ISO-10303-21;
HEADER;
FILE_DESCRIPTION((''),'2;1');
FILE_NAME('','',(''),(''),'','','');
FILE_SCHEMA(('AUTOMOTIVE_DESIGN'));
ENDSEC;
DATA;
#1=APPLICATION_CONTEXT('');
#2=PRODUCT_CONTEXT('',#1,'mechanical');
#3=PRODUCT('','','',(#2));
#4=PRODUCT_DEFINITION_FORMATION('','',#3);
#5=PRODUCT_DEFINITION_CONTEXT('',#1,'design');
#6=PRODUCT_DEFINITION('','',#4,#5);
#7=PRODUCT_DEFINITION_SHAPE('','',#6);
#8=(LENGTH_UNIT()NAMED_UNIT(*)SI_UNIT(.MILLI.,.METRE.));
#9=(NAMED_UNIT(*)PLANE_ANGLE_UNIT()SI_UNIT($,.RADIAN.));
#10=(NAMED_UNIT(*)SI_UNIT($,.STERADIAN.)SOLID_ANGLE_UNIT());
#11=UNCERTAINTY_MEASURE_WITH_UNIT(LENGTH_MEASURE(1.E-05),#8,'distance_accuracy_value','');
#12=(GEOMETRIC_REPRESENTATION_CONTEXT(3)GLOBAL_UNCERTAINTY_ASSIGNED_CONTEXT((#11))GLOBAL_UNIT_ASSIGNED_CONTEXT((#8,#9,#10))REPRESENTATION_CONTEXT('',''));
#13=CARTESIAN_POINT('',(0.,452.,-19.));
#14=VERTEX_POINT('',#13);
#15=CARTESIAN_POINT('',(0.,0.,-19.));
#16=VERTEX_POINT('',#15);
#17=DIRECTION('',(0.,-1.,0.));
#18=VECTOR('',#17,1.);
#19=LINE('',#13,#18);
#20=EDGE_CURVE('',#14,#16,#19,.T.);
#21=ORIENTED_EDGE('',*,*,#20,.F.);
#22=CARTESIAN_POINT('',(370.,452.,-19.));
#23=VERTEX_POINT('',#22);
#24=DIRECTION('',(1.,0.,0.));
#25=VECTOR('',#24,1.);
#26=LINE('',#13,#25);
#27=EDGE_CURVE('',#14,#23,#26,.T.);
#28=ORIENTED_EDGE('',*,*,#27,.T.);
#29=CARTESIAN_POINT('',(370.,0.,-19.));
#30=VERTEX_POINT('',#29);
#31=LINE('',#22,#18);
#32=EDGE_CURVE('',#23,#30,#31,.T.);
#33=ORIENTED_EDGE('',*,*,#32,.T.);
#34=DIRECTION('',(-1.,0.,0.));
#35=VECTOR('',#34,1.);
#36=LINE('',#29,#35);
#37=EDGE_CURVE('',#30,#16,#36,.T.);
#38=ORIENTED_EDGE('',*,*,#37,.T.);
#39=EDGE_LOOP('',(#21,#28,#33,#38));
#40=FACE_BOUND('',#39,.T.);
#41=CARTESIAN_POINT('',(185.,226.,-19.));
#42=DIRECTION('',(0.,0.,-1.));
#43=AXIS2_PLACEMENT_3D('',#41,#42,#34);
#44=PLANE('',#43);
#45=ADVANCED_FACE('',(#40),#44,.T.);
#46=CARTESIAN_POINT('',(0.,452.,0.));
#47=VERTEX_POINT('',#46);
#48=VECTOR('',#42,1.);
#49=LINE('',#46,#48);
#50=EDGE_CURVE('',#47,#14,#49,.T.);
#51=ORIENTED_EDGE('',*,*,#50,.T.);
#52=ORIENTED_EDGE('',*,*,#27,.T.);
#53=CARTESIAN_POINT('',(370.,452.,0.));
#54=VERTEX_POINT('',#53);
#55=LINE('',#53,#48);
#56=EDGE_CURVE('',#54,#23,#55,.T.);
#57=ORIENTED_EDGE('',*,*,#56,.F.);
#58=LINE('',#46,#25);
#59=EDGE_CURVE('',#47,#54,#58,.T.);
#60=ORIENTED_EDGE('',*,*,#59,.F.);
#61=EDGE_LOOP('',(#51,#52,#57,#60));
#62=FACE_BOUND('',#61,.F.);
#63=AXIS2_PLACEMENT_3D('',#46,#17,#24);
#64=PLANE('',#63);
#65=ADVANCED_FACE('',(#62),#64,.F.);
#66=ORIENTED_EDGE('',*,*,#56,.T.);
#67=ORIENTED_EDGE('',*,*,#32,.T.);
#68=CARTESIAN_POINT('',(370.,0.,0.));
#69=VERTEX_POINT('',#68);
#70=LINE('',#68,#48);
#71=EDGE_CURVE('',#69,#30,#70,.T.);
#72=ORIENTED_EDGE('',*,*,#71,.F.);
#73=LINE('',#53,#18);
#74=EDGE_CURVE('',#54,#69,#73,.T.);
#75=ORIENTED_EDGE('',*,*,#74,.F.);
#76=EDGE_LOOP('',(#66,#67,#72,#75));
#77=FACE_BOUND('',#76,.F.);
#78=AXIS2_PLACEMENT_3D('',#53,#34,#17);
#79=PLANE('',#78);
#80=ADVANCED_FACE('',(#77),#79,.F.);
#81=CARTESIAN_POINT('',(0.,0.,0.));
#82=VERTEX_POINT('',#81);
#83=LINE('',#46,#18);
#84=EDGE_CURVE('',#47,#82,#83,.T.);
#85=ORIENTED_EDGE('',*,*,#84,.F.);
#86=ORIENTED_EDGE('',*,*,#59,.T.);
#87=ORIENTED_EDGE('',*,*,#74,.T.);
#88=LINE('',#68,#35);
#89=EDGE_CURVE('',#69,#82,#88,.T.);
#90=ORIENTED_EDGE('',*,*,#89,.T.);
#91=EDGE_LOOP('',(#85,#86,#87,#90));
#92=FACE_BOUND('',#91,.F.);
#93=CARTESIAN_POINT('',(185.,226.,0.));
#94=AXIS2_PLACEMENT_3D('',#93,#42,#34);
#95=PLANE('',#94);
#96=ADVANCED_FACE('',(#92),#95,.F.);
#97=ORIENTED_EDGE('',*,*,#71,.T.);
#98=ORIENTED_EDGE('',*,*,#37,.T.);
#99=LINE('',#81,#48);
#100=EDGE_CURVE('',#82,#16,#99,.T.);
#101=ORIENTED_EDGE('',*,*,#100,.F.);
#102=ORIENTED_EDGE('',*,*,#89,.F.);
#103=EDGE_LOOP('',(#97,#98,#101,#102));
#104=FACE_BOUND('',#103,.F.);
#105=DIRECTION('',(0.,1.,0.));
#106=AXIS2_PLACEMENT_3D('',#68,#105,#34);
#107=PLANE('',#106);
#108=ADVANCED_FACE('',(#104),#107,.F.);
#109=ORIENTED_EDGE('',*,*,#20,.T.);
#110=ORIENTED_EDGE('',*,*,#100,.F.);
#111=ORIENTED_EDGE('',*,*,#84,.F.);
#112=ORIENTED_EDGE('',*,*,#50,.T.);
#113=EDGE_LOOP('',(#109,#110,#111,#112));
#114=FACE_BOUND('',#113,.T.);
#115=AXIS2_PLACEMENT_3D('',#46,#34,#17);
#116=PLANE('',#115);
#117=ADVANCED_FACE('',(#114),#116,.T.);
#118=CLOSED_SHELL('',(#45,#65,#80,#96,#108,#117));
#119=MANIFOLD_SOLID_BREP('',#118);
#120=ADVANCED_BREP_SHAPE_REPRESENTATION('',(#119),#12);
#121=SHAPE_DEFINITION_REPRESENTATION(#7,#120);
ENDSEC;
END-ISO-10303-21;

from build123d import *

# Parameters (mm, degrees)
PAD_DEPTH = 19


with BuildPart() as part:
    # Sketch → Pad (new body)
    with BuildSketch(Plane.XY):
        Polygon((0, 413.879036), (0, 452), (370, 452), (370, 0), (0, 0), align=None)
    extrude(amount=-PAD_DEPTH)


solid = part.part
